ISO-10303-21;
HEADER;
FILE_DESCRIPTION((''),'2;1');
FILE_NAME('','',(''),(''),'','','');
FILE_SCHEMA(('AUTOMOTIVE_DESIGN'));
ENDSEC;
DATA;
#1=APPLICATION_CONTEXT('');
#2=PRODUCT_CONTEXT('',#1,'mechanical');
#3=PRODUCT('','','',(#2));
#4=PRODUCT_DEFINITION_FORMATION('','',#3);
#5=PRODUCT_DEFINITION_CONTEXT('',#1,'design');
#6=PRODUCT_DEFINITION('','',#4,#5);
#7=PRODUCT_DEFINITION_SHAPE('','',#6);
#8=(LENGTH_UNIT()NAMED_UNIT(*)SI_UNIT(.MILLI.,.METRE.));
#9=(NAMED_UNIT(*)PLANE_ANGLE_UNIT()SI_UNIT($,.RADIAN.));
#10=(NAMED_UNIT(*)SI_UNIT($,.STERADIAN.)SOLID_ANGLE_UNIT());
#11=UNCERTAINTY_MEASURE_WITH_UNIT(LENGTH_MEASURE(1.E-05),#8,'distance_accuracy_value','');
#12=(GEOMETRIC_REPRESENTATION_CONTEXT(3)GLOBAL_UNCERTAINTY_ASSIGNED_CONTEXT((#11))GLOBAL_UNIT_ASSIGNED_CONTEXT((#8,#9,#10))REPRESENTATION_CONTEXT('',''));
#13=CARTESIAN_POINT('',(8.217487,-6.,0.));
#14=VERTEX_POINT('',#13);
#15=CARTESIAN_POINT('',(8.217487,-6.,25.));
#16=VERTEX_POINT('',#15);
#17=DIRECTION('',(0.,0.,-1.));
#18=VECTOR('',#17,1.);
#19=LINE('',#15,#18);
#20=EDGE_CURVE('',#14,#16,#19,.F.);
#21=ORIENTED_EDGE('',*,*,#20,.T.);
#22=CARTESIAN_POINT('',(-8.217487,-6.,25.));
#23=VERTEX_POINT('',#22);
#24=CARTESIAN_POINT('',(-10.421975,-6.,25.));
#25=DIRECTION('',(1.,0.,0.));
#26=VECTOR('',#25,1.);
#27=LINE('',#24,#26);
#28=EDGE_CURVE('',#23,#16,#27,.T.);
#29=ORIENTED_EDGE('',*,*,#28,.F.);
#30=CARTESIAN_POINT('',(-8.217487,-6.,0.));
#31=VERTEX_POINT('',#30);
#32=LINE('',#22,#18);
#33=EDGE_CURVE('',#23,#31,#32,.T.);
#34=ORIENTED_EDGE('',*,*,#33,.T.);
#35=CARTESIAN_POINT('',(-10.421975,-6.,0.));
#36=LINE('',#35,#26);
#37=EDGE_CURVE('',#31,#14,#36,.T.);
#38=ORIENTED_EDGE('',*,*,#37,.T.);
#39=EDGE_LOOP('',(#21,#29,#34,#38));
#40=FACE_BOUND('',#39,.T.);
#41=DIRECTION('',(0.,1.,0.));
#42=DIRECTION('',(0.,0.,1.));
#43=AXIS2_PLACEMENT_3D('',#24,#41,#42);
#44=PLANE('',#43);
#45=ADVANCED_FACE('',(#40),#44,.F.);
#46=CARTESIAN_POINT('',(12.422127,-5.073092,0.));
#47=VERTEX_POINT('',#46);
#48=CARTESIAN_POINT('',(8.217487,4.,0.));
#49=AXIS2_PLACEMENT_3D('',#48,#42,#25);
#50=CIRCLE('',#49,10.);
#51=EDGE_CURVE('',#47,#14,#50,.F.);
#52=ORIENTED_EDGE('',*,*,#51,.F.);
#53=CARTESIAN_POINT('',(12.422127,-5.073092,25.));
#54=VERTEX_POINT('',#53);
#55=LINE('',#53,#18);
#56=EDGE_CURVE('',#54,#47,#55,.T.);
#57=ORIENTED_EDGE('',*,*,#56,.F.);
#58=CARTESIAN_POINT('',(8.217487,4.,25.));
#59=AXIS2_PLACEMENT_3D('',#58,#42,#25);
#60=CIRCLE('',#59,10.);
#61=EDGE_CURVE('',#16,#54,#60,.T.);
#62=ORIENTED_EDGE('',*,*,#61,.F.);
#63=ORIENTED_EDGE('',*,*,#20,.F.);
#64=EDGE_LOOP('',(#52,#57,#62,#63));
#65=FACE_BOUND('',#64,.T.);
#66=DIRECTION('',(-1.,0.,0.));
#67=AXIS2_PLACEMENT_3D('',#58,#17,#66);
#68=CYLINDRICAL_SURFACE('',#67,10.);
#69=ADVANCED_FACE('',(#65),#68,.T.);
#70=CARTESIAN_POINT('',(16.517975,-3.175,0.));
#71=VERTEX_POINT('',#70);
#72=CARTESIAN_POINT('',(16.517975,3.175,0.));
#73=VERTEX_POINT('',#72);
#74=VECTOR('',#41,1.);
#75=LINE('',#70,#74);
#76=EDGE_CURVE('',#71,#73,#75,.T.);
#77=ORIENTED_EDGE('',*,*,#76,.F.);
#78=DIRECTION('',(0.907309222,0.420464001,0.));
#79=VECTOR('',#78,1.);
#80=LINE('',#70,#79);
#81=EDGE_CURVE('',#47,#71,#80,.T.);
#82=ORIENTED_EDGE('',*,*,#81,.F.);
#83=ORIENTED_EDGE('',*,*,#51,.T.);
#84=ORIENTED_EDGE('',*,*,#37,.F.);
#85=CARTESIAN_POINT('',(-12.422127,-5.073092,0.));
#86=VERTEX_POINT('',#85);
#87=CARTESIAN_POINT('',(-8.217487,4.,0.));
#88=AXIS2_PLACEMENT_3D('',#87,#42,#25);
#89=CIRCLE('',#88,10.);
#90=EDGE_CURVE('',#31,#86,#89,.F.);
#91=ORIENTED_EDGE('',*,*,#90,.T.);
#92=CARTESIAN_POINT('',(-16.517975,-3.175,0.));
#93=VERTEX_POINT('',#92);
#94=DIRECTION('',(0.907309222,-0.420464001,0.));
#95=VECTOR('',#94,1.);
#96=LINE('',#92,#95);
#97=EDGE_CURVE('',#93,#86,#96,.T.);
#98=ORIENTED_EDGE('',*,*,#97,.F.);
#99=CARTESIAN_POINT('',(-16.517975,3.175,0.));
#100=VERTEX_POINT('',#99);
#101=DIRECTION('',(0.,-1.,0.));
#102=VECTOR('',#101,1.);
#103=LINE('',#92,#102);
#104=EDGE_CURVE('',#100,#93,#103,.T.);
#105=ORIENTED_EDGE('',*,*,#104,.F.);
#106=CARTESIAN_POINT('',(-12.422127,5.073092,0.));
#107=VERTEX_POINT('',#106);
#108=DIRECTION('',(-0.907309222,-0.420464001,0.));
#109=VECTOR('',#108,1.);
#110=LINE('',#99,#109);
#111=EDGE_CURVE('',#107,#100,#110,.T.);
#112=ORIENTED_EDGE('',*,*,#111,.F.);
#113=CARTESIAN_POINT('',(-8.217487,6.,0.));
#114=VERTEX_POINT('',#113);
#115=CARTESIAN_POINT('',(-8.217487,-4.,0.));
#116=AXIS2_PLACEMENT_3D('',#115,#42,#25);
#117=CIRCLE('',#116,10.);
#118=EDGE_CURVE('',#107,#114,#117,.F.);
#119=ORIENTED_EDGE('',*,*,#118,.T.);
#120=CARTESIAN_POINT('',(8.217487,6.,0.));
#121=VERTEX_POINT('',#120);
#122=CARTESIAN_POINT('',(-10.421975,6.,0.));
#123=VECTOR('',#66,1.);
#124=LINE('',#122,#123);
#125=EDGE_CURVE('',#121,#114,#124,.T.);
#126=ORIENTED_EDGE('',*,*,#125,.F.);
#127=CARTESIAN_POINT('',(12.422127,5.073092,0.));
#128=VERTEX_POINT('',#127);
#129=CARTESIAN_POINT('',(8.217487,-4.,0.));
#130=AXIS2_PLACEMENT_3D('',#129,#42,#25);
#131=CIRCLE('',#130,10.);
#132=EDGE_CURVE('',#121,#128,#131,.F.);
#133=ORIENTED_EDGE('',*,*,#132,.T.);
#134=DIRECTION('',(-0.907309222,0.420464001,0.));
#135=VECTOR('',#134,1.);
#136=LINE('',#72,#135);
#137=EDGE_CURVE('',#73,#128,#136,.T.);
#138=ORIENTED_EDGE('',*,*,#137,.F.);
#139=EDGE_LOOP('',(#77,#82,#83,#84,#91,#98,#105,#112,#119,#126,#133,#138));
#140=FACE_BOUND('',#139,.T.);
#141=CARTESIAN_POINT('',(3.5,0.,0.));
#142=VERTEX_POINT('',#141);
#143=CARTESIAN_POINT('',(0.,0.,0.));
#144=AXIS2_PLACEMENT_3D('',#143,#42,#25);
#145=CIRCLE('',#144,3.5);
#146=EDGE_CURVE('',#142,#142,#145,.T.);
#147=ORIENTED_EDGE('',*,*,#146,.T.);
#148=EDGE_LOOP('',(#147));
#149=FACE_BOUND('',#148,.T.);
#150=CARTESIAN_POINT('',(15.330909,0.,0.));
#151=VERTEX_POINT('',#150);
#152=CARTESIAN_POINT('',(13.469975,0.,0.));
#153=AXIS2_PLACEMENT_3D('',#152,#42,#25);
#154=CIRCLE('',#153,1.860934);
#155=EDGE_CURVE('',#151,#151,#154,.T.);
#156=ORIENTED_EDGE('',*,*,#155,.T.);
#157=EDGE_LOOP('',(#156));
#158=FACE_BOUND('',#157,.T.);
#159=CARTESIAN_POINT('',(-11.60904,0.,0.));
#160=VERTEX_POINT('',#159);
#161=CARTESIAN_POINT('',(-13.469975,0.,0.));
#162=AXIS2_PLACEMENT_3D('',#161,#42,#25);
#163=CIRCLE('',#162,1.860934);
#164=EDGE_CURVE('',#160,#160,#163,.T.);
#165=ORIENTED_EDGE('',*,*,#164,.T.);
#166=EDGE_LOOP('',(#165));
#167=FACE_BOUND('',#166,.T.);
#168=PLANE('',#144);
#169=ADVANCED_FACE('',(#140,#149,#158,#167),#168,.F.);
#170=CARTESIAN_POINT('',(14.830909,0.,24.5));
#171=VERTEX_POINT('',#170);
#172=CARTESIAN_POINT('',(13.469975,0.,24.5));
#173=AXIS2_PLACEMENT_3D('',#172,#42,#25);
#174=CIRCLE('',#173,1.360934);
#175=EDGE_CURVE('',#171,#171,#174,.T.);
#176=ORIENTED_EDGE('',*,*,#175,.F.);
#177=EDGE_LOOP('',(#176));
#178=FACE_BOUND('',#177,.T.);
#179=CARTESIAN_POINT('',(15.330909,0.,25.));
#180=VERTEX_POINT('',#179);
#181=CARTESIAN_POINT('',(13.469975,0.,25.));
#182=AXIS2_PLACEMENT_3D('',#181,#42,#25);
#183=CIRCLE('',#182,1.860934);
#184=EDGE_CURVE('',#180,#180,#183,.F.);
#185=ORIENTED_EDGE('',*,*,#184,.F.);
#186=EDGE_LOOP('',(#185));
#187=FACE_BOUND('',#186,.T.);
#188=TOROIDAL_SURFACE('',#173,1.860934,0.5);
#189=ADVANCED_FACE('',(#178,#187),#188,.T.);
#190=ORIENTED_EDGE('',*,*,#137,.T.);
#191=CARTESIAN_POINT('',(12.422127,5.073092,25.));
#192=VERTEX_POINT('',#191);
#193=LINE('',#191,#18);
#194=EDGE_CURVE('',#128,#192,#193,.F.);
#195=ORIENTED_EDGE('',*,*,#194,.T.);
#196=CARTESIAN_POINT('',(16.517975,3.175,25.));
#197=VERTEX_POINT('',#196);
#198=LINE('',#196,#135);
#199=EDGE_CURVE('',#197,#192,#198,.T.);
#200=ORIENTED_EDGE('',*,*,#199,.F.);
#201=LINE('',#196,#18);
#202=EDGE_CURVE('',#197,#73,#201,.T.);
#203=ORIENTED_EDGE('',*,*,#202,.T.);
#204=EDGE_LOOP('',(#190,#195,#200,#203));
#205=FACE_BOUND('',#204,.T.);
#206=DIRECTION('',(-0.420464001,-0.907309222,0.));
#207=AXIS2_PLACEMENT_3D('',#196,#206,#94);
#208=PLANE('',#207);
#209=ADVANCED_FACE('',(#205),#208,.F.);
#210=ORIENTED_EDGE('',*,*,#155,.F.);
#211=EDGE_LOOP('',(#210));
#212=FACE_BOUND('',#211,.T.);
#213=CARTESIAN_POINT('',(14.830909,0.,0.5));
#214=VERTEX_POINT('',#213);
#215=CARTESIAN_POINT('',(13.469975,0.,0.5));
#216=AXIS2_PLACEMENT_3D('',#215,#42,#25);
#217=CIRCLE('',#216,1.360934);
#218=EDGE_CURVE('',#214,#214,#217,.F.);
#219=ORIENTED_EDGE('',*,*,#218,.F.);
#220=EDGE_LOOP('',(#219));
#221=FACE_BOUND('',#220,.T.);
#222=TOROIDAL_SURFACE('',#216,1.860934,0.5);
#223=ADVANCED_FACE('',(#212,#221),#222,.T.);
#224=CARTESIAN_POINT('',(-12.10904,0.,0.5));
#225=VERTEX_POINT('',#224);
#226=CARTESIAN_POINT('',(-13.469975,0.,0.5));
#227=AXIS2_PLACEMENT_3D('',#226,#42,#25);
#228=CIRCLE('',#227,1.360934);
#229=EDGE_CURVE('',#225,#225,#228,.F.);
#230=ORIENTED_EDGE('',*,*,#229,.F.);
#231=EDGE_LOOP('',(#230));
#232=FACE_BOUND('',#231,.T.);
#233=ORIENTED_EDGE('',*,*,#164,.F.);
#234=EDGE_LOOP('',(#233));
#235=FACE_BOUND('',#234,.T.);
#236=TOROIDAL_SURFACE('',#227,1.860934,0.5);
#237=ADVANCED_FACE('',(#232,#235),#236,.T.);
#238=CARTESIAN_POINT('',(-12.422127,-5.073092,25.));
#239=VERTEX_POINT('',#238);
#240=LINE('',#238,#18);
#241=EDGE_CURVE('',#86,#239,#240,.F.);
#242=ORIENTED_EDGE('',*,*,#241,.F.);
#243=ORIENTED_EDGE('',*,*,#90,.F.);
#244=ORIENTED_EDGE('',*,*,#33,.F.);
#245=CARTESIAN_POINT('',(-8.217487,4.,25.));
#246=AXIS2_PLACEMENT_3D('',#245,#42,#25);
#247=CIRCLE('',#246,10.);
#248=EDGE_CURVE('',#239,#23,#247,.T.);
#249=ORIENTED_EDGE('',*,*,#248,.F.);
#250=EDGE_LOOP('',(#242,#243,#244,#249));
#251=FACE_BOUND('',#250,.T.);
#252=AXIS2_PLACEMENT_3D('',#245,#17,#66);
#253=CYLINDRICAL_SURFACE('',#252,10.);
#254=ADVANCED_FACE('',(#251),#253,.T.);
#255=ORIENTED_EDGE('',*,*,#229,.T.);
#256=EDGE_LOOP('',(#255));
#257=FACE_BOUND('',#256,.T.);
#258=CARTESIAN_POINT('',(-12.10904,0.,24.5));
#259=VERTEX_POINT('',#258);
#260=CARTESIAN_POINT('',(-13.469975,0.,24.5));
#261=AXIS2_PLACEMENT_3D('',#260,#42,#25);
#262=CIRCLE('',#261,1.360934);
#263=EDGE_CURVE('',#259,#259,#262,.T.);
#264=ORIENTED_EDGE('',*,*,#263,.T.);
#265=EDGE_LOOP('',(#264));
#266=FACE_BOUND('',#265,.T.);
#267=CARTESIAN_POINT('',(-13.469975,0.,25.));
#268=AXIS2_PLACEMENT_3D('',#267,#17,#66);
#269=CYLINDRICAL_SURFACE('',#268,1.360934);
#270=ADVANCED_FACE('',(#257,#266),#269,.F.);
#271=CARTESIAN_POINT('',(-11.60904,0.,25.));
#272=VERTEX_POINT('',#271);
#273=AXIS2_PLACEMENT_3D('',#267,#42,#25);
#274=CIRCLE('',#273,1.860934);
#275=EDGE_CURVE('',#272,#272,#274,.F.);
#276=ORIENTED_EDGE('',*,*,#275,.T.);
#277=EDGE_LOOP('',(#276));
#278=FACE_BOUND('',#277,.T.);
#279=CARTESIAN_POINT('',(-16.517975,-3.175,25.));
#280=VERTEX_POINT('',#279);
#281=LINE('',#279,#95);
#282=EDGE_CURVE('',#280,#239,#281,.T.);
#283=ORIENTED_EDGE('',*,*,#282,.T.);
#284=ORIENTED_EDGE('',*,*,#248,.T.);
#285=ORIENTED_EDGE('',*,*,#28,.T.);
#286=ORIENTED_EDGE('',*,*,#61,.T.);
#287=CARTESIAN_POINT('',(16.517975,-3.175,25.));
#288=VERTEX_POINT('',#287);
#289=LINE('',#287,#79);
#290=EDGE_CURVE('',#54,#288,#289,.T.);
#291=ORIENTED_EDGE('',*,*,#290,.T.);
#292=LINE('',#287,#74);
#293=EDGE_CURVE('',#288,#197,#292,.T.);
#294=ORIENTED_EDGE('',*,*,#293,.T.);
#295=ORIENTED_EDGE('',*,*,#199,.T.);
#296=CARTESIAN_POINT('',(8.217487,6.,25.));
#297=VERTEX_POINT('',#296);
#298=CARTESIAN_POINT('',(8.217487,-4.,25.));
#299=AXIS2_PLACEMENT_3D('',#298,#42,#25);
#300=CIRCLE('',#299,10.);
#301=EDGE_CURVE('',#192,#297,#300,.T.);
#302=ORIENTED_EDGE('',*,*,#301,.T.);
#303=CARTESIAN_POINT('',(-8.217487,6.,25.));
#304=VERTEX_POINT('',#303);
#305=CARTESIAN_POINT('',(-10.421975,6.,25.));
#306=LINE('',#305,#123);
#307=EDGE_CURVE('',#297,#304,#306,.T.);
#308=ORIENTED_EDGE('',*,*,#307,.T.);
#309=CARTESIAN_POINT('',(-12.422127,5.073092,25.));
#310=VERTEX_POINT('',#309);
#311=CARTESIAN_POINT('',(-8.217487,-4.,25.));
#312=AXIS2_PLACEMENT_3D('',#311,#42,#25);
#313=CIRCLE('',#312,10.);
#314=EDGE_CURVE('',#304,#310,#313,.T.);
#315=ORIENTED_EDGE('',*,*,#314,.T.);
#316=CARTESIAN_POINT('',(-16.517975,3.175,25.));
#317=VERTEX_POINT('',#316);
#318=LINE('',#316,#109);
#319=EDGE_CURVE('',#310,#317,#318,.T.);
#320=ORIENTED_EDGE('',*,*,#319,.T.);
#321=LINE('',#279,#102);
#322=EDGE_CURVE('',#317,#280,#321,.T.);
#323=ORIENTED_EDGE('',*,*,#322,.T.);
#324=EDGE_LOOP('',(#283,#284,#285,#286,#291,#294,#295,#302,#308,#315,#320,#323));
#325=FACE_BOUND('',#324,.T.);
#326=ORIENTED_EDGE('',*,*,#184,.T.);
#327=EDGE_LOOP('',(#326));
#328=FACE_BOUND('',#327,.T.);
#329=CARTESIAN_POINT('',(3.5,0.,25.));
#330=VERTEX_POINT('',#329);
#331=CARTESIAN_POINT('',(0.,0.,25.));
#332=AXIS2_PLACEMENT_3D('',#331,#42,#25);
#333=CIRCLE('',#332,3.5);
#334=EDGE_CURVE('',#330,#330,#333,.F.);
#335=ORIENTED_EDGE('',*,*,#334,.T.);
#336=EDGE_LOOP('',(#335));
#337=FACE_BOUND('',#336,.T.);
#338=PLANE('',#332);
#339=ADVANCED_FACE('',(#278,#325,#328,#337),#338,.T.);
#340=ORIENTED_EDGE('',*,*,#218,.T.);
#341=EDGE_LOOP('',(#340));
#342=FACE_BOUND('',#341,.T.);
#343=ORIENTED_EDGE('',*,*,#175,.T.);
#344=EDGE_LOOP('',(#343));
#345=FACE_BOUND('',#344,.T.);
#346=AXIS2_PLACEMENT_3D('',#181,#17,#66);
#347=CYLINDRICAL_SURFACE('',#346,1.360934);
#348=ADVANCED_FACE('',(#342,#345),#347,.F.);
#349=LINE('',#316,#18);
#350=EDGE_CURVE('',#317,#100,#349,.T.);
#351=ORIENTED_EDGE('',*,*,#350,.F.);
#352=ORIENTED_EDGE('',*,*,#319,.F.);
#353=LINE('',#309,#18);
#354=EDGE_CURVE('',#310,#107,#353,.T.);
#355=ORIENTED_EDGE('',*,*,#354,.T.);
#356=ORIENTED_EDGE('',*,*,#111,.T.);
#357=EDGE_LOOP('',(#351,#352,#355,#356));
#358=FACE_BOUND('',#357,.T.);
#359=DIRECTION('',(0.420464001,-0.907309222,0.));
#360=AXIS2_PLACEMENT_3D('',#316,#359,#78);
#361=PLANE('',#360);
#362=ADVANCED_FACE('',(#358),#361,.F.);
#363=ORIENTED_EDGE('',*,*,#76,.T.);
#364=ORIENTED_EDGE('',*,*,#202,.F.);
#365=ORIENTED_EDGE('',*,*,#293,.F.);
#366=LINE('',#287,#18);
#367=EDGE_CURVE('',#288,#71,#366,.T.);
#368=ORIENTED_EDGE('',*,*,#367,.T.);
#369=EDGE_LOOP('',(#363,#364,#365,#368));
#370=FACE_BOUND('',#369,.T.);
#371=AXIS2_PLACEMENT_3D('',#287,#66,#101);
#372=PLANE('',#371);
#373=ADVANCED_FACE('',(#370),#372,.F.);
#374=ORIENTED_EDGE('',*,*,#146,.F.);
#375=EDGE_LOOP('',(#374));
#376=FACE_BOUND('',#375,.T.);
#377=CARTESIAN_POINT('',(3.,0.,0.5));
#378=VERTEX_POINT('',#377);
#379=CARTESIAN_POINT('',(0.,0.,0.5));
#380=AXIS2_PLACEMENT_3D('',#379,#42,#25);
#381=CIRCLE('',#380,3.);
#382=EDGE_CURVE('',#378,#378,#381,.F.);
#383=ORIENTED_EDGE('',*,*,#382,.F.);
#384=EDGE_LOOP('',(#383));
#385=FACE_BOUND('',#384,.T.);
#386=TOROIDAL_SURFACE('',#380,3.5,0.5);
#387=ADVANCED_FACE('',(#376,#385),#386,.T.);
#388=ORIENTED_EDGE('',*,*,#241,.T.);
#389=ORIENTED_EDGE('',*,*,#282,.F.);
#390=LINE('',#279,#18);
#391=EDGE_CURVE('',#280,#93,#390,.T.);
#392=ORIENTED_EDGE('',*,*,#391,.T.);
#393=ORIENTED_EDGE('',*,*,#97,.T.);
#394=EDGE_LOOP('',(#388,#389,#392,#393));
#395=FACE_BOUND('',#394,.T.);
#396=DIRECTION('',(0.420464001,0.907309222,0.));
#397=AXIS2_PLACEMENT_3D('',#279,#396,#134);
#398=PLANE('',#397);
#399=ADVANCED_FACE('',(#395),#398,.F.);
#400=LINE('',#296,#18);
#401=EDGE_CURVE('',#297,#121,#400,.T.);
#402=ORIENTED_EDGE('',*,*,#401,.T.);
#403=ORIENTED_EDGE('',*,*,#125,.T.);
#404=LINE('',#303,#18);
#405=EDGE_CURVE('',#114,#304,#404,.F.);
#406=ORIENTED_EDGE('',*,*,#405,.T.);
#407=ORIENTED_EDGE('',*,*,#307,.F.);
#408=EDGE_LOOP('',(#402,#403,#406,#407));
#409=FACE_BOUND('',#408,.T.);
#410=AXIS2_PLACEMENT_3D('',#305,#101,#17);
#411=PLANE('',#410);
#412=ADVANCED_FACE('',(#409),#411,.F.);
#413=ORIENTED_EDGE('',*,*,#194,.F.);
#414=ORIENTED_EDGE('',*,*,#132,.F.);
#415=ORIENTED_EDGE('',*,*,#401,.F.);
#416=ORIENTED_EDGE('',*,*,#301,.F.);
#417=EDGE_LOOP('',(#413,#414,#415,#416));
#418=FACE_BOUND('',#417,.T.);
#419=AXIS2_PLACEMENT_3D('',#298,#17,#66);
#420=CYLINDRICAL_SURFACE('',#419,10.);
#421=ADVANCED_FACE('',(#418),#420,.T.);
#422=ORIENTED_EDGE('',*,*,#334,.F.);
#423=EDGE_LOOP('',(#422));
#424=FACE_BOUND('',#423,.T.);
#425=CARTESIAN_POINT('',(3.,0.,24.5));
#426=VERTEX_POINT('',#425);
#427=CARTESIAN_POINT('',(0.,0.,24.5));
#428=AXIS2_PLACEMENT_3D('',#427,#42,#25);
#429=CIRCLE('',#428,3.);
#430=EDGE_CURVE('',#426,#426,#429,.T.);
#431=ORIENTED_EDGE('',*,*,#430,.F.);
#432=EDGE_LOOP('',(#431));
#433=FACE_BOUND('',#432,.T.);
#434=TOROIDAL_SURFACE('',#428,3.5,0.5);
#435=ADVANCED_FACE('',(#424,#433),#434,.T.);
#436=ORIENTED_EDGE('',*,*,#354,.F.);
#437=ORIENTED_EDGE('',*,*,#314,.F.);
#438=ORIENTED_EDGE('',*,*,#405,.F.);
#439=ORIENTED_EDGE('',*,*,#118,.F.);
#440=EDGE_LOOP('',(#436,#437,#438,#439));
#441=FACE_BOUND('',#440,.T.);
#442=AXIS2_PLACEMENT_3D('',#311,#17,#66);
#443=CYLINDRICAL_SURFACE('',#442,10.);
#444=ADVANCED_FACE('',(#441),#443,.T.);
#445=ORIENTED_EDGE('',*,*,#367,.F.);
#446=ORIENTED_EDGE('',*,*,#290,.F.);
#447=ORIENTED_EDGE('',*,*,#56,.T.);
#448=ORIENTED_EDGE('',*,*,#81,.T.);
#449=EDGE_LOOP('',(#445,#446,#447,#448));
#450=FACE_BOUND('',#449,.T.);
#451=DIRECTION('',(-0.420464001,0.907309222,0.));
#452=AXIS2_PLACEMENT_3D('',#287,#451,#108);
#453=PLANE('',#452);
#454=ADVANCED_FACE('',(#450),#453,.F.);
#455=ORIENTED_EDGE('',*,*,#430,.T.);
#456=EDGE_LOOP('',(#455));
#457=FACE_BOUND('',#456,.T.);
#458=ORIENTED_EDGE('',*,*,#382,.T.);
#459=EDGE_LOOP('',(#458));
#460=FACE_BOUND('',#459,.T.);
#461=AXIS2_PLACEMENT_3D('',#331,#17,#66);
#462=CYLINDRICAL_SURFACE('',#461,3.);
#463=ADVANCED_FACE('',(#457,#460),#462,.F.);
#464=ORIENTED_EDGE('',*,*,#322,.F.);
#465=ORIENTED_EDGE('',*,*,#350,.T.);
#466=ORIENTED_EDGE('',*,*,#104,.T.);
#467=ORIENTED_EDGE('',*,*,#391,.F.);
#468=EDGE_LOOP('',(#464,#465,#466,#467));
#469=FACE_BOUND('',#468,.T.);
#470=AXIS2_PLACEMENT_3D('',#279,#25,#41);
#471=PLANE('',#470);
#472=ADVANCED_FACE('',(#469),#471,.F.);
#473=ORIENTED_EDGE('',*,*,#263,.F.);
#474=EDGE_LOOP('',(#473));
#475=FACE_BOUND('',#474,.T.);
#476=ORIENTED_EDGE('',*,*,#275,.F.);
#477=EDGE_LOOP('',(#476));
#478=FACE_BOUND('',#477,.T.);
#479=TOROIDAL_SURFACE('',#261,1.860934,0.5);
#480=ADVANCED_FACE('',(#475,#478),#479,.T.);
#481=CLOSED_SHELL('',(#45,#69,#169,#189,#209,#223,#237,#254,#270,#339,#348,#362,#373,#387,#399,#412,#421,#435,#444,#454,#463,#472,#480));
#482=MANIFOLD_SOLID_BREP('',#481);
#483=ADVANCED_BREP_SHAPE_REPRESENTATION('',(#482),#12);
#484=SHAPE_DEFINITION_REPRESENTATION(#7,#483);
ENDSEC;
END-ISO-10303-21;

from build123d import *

# Parameters (mm, degrees)
SKETCH1_R           = 1.360934182
SKETCH1_R_2         = 3
BOSS_EXTRUDE1_DEPTH = 25
FILLET1_R           = 10
FILLET2_R           = 10
FILLET4_R           = 10
FILLET5_R           = 10
FILLET8_R           = 0.5
FILLET9_R           = 0.5
FILLET10_R          = 0.5
FILLET11_R          = 0.5
FILLET12_R          = 0.5
FILLET13_R          = 0.5


with BuildPart() as part:
    # Sketch1 → Boss-Extrude1 (new body)
    with BuildSketch(Plane(origin=(0, 0, 0), x_dir=(-1, 0, 0), z_dir=(0, 0, 1))):
        Polygon((16.51797461, 3.175), (16.51797461, -3.175), (10.42197461, -6), (-10.42197461, -6), (-16.51797461, -3.175), (-16.51797461, 3.175), (-10.42197461, 6), (10.42197461, 6), align=None)
        with Locations(Location((13.46997461, 0, 0), (0, 0, 180))):
            Circle(SKETCH1_R, mode=Mode.SUBTRACT)
        with Locations((-13.46997461, 0)):
            Circle(SKETCH1_R, mode=Mode.SUBTRACT)
        with Locations(Location((0, 0, 0), (0, 0, 180))):
            Circle(SKETCH1_R_2, mode=Mode.SUBTRACT)
    extrude(amount=BOSS_EXTRUDE1_DEPTH)

    # Fillet1
    fillet1_edges = [part.edges().sort_by_distance(p)[0] for p in [
        (-10.42197461, 6, 12.5),
    ]]
    fillet(fillet1_edges, radius=FILLET1_R)

    # Fillet2
    fillet2_edges = [part.edges().sort_by_distance(p)[0] for p in [
        (-10.42197461, -6, 12.5),
    ]]
    fillet(fillet2_edges, radius=FILLET2_R)

    # Fillet4
    fillet4_edges = [part.edges().sort_by_distance(p)[0] for p in [
        (10.42197461, -6, 12.5),
    ]]
    fillet(fillet4_edges, radius=FILLET4_R)

    # Fillet5
    fillet5_edges = [part.edges().sort_by_distance(p)[0] for p in [
        (10.42197461, 6, 12.5),
    ]]
    fillet(fillet5_edges, radius=FILLET5_R)

    # Fillet8
    fillet8_edges = [part.edges().sort_by_distance(p)[0] for p in [
        (-3, 0, 0),
    ]]
    fillet(fillet8_edges, radius=FILLET8_R)

    # Fillet9
    fillet9_edges = [part.edges().sort_by_distance(p)[0] for p in [
        (14.830908792, 0, 0),
    ]]
    fillet(fillet9_edges, radius=FILLET9_R)

    # Fillet10
    fillet10_edges = [part.edges().sort_by_distance(p)[0] for p in [
        (-14.830908792, 0, 0),
    ]]
    fillet(fillet10_edges, radius=FILLET10_R)

    # Fillet11
    fillet11_edges = [part.edges().sort_by_distance(p)[0] for p in [
        (-3, 0, 25),
    ]]
    fillet(fillet11_edges, radius=FILLET11_R)

    # Fillet12
    fillet12_edges = [part.edges().sort_by_distance(p)[0] for p in [
        (14.830908792, 0, 25),
    ]]
    fillet(fillet12_edges, radius=FILLET12_R)

    # Fillet13
    fillet13_edges = [part.edges().sort_by_distance(p)[0] for p in [
        (-14.830908792, 0, 25),
    ]]
    fillet(fillet13_edges, radius=FILLET13_R)


solid = part.part
